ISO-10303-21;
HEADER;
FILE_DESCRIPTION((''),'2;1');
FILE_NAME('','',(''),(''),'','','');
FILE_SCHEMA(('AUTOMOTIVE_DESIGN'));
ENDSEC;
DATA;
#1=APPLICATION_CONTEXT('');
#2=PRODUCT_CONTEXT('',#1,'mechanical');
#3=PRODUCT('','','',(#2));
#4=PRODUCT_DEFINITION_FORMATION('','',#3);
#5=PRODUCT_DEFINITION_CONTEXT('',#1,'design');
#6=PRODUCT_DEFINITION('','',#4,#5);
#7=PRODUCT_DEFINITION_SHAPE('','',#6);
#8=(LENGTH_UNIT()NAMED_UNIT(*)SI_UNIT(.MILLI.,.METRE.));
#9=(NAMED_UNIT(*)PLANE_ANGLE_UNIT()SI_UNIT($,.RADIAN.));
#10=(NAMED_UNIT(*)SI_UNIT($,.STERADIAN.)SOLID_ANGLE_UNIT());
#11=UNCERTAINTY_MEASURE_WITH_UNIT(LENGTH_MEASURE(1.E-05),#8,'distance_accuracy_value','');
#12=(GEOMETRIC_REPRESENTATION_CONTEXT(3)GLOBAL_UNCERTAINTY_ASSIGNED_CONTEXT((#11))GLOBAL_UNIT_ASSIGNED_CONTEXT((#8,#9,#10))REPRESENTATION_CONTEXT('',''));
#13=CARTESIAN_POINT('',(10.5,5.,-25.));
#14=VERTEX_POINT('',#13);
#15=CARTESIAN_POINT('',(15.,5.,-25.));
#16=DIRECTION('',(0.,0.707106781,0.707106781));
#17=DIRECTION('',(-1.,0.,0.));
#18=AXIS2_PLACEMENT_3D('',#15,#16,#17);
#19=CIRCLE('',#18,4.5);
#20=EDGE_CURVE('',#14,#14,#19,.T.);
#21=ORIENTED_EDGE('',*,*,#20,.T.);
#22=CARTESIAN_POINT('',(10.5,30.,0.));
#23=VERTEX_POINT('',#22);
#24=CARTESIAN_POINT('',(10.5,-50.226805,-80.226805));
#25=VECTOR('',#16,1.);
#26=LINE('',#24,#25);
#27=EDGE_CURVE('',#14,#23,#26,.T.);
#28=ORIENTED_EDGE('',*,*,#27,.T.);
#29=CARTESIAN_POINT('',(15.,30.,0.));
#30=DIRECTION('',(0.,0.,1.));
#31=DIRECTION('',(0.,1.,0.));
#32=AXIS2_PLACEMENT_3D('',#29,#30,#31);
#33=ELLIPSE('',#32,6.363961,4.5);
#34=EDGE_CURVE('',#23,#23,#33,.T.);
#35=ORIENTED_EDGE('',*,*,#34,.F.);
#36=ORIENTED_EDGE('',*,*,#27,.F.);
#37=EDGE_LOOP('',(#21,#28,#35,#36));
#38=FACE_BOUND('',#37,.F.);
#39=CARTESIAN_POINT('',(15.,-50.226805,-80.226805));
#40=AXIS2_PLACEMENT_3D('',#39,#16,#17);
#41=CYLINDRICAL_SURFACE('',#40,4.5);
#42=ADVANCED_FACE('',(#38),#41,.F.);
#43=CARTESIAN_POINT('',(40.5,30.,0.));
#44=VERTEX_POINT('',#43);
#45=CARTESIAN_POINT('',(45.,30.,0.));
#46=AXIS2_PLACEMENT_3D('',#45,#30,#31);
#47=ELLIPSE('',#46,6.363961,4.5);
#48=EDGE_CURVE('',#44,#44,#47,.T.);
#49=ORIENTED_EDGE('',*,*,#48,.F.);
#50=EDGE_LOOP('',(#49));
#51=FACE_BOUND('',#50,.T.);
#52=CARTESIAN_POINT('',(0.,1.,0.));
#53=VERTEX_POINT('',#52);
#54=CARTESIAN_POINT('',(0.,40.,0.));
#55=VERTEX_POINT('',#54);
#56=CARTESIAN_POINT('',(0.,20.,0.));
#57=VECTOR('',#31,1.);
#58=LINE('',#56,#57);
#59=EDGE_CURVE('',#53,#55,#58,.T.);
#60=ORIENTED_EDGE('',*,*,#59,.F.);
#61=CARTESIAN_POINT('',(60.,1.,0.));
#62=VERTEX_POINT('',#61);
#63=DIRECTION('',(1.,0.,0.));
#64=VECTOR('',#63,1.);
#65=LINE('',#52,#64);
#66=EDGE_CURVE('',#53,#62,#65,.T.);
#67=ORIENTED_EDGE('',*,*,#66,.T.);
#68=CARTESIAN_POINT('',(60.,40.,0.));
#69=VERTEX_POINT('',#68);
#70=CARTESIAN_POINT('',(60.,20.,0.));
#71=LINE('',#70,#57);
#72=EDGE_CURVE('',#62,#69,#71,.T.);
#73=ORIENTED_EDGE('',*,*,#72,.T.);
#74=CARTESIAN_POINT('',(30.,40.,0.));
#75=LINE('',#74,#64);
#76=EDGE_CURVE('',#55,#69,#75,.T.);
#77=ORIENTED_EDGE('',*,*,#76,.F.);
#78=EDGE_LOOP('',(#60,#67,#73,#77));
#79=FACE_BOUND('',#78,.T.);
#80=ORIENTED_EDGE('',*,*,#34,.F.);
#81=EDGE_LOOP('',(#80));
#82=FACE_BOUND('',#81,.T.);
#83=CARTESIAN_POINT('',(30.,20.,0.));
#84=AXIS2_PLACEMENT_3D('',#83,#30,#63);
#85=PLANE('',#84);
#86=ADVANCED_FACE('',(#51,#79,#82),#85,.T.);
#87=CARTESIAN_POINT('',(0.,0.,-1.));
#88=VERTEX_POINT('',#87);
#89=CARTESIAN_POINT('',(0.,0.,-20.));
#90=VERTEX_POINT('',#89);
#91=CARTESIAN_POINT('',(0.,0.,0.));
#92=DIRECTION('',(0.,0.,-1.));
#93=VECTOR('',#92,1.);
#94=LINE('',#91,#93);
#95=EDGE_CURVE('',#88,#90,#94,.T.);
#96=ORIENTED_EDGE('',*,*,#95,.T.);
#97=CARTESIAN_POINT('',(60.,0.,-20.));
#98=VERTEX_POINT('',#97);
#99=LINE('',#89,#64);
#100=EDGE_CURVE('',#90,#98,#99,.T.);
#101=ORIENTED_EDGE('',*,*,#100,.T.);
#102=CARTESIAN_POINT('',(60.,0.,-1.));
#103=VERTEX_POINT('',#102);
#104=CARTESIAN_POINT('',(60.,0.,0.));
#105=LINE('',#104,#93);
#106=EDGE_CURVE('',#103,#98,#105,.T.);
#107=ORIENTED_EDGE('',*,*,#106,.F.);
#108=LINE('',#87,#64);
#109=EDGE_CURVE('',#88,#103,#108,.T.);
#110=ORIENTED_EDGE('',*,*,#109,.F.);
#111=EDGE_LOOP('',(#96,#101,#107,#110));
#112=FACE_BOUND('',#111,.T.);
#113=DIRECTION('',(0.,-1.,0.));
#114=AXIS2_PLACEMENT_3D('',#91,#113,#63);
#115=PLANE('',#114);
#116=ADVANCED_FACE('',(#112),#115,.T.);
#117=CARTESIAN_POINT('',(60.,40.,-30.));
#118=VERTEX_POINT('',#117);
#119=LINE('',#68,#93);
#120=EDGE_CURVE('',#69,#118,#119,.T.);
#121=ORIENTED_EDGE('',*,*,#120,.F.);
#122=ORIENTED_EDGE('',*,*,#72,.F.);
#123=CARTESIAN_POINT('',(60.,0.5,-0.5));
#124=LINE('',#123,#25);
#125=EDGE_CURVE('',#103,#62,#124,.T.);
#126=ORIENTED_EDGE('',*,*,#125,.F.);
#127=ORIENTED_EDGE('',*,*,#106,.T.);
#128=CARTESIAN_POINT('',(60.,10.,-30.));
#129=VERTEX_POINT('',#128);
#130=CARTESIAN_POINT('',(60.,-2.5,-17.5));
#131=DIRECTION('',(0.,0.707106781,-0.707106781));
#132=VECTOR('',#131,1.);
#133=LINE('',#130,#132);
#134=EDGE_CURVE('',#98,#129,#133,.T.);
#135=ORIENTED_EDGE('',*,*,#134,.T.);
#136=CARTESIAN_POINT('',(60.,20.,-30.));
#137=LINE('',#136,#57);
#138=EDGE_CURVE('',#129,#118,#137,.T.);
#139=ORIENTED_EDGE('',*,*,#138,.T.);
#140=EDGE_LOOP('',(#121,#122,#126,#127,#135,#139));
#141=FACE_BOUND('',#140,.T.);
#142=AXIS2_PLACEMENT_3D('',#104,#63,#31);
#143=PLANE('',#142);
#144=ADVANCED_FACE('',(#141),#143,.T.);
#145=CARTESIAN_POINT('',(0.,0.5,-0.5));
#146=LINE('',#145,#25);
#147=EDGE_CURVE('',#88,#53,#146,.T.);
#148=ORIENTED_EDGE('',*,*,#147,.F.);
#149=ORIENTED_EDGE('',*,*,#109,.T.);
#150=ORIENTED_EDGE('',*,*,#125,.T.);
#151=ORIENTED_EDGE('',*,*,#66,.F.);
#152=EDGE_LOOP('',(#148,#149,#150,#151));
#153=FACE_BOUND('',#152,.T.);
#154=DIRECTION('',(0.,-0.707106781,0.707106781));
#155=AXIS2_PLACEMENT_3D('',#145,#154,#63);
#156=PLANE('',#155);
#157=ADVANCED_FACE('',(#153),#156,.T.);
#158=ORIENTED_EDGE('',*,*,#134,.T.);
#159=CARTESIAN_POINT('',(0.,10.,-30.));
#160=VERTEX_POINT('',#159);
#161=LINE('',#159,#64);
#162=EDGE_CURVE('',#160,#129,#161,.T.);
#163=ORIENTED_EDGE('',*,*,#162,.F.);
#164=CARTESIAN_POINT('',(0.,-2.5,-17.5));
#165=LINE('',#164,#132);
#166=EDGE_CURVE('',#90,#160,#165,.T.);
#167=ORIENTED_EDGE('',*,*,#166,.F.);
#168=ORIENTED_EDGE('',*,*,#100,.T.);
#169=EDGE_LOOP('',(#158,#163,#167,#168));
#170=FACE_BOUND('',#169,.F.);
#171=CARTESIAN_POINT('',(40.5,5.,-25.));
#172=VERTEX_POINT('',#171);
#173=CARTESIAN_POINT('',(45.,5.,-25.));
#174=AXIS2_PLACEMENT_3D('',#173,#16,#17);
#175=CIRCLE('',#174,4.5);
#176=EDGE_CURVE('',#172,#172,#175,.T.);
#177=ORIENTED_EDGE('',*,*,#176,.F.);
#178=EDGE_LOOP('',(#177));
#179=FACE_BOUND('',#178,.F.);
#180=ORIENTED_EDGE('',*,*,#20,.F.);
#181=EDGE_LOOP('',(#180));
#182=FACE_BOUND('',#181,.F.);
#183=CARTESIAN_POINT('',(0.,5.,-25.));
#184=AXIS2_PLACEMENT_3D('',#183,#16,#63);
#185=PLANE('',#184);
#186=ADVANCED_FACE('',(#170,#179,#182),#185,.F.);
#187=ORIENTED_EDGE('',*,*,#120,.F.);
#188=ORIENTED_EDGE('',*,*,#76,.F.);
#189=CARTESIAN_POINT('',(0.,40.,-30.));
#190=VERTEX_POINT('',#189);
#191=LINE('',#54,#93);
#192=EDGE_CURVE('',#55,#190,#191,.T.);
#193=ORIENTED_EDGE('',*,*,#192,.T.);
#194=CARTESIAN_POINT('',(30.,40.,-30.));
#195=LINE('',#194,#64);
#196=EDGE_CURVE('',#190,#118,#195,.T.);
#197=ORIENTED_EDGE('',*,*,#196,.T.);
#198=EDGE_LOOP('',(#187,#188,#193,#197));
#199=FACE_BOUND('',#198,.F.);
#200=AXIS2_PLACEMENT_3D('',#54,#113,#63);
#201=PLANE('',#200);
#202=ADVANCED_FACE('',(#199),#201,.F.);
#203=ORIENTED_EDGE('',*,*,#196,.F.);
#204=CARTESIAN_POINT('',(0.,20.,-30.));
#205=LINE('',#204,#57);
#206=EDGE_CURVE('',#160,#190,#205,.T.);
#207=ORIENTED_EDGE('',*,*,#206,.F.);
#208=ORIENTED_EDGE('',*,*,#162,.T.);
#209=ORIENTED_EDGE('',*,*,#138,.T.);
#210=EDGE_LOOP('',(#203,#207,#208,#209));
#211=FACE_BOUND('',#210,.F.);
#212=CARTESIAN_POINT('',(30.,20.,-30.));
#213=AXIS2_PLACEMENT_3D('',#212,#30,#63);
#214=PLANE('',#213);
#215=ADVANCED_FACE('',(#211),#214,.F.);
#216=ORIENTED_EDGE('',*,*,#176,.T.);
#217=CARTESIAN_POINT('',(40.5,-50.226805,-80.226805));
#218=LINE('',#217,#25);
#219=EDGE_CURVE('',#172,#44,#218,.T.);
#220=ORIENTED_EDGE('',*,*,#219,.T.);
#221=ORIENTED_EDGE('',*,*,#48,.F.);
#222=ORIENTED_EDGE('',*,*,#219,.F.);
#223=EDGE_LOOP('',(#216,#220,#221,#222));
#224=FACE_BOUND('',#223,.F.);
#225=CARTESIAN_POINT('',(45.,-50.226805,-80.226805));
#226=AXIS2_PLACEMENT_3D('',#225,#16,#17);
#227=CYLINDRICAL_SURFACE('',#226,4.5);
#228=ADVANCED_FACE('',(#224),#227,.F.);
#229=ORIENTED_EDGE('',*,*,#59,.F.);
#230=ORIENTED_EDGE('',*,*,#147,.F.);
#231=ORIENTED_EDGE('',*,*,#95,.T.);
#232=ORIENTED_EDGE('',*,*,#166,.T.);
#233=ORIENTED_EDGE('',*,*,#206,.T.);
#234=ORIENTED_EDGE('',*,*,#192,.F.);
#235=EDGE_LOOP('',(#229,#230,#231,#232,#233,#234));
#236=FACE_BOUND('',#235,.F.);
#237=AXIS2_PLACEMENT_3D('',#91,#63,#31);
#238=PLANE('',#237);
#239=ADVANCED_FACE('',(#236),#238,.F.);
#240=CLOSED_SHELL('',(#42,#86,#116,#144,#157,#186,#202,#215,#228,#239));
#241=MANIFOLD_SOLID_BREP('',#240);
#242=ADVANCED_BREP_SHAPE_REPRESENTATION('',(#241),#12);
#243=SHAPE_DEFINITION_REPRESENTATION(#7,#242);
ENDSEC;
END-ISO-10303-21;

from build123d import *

# Parameters (mm, degrees)
F0_W     = 60
F0_H     = 40
F1_DEPTH = 30
F2_SIZE  = 10
F4_D     = 9
F5_SIZE  = 1


with BuildPart() as f1:
    # F0 (on Top) → F1 (new body)
    with BuildSketch(Plane.XY):
        with Locations((30, 20)):
            Rectangle(F0_W, F0_H)
    extrude(amount=-F1_DEPTH)

    # F2
    f2_edges = [f1.edges().sort_by_distance(p)[0] for p in [
        (30, 0, -30),
    ]]
    chamfer(f2_edges, length=F2_SIZE)

    # F4 (through all)
    with Locations(Plane(origin=(0, -10, -10), x_dir=(1, 0, 0), z_dir=(0, -0.7071067812, -0.7071067812))):
        with Locations((15, -21.2132034356), (45, -21.2132034356)):
            Hole(F4_D / 2)

    # F5
    f5_edges = [f1.edges().sort_by_distance(p)[0] for p in [
        (30, 0, 0),
    ]]
    chamfer(f5_edges, length=F5_SIZE)


solid = f1.part
